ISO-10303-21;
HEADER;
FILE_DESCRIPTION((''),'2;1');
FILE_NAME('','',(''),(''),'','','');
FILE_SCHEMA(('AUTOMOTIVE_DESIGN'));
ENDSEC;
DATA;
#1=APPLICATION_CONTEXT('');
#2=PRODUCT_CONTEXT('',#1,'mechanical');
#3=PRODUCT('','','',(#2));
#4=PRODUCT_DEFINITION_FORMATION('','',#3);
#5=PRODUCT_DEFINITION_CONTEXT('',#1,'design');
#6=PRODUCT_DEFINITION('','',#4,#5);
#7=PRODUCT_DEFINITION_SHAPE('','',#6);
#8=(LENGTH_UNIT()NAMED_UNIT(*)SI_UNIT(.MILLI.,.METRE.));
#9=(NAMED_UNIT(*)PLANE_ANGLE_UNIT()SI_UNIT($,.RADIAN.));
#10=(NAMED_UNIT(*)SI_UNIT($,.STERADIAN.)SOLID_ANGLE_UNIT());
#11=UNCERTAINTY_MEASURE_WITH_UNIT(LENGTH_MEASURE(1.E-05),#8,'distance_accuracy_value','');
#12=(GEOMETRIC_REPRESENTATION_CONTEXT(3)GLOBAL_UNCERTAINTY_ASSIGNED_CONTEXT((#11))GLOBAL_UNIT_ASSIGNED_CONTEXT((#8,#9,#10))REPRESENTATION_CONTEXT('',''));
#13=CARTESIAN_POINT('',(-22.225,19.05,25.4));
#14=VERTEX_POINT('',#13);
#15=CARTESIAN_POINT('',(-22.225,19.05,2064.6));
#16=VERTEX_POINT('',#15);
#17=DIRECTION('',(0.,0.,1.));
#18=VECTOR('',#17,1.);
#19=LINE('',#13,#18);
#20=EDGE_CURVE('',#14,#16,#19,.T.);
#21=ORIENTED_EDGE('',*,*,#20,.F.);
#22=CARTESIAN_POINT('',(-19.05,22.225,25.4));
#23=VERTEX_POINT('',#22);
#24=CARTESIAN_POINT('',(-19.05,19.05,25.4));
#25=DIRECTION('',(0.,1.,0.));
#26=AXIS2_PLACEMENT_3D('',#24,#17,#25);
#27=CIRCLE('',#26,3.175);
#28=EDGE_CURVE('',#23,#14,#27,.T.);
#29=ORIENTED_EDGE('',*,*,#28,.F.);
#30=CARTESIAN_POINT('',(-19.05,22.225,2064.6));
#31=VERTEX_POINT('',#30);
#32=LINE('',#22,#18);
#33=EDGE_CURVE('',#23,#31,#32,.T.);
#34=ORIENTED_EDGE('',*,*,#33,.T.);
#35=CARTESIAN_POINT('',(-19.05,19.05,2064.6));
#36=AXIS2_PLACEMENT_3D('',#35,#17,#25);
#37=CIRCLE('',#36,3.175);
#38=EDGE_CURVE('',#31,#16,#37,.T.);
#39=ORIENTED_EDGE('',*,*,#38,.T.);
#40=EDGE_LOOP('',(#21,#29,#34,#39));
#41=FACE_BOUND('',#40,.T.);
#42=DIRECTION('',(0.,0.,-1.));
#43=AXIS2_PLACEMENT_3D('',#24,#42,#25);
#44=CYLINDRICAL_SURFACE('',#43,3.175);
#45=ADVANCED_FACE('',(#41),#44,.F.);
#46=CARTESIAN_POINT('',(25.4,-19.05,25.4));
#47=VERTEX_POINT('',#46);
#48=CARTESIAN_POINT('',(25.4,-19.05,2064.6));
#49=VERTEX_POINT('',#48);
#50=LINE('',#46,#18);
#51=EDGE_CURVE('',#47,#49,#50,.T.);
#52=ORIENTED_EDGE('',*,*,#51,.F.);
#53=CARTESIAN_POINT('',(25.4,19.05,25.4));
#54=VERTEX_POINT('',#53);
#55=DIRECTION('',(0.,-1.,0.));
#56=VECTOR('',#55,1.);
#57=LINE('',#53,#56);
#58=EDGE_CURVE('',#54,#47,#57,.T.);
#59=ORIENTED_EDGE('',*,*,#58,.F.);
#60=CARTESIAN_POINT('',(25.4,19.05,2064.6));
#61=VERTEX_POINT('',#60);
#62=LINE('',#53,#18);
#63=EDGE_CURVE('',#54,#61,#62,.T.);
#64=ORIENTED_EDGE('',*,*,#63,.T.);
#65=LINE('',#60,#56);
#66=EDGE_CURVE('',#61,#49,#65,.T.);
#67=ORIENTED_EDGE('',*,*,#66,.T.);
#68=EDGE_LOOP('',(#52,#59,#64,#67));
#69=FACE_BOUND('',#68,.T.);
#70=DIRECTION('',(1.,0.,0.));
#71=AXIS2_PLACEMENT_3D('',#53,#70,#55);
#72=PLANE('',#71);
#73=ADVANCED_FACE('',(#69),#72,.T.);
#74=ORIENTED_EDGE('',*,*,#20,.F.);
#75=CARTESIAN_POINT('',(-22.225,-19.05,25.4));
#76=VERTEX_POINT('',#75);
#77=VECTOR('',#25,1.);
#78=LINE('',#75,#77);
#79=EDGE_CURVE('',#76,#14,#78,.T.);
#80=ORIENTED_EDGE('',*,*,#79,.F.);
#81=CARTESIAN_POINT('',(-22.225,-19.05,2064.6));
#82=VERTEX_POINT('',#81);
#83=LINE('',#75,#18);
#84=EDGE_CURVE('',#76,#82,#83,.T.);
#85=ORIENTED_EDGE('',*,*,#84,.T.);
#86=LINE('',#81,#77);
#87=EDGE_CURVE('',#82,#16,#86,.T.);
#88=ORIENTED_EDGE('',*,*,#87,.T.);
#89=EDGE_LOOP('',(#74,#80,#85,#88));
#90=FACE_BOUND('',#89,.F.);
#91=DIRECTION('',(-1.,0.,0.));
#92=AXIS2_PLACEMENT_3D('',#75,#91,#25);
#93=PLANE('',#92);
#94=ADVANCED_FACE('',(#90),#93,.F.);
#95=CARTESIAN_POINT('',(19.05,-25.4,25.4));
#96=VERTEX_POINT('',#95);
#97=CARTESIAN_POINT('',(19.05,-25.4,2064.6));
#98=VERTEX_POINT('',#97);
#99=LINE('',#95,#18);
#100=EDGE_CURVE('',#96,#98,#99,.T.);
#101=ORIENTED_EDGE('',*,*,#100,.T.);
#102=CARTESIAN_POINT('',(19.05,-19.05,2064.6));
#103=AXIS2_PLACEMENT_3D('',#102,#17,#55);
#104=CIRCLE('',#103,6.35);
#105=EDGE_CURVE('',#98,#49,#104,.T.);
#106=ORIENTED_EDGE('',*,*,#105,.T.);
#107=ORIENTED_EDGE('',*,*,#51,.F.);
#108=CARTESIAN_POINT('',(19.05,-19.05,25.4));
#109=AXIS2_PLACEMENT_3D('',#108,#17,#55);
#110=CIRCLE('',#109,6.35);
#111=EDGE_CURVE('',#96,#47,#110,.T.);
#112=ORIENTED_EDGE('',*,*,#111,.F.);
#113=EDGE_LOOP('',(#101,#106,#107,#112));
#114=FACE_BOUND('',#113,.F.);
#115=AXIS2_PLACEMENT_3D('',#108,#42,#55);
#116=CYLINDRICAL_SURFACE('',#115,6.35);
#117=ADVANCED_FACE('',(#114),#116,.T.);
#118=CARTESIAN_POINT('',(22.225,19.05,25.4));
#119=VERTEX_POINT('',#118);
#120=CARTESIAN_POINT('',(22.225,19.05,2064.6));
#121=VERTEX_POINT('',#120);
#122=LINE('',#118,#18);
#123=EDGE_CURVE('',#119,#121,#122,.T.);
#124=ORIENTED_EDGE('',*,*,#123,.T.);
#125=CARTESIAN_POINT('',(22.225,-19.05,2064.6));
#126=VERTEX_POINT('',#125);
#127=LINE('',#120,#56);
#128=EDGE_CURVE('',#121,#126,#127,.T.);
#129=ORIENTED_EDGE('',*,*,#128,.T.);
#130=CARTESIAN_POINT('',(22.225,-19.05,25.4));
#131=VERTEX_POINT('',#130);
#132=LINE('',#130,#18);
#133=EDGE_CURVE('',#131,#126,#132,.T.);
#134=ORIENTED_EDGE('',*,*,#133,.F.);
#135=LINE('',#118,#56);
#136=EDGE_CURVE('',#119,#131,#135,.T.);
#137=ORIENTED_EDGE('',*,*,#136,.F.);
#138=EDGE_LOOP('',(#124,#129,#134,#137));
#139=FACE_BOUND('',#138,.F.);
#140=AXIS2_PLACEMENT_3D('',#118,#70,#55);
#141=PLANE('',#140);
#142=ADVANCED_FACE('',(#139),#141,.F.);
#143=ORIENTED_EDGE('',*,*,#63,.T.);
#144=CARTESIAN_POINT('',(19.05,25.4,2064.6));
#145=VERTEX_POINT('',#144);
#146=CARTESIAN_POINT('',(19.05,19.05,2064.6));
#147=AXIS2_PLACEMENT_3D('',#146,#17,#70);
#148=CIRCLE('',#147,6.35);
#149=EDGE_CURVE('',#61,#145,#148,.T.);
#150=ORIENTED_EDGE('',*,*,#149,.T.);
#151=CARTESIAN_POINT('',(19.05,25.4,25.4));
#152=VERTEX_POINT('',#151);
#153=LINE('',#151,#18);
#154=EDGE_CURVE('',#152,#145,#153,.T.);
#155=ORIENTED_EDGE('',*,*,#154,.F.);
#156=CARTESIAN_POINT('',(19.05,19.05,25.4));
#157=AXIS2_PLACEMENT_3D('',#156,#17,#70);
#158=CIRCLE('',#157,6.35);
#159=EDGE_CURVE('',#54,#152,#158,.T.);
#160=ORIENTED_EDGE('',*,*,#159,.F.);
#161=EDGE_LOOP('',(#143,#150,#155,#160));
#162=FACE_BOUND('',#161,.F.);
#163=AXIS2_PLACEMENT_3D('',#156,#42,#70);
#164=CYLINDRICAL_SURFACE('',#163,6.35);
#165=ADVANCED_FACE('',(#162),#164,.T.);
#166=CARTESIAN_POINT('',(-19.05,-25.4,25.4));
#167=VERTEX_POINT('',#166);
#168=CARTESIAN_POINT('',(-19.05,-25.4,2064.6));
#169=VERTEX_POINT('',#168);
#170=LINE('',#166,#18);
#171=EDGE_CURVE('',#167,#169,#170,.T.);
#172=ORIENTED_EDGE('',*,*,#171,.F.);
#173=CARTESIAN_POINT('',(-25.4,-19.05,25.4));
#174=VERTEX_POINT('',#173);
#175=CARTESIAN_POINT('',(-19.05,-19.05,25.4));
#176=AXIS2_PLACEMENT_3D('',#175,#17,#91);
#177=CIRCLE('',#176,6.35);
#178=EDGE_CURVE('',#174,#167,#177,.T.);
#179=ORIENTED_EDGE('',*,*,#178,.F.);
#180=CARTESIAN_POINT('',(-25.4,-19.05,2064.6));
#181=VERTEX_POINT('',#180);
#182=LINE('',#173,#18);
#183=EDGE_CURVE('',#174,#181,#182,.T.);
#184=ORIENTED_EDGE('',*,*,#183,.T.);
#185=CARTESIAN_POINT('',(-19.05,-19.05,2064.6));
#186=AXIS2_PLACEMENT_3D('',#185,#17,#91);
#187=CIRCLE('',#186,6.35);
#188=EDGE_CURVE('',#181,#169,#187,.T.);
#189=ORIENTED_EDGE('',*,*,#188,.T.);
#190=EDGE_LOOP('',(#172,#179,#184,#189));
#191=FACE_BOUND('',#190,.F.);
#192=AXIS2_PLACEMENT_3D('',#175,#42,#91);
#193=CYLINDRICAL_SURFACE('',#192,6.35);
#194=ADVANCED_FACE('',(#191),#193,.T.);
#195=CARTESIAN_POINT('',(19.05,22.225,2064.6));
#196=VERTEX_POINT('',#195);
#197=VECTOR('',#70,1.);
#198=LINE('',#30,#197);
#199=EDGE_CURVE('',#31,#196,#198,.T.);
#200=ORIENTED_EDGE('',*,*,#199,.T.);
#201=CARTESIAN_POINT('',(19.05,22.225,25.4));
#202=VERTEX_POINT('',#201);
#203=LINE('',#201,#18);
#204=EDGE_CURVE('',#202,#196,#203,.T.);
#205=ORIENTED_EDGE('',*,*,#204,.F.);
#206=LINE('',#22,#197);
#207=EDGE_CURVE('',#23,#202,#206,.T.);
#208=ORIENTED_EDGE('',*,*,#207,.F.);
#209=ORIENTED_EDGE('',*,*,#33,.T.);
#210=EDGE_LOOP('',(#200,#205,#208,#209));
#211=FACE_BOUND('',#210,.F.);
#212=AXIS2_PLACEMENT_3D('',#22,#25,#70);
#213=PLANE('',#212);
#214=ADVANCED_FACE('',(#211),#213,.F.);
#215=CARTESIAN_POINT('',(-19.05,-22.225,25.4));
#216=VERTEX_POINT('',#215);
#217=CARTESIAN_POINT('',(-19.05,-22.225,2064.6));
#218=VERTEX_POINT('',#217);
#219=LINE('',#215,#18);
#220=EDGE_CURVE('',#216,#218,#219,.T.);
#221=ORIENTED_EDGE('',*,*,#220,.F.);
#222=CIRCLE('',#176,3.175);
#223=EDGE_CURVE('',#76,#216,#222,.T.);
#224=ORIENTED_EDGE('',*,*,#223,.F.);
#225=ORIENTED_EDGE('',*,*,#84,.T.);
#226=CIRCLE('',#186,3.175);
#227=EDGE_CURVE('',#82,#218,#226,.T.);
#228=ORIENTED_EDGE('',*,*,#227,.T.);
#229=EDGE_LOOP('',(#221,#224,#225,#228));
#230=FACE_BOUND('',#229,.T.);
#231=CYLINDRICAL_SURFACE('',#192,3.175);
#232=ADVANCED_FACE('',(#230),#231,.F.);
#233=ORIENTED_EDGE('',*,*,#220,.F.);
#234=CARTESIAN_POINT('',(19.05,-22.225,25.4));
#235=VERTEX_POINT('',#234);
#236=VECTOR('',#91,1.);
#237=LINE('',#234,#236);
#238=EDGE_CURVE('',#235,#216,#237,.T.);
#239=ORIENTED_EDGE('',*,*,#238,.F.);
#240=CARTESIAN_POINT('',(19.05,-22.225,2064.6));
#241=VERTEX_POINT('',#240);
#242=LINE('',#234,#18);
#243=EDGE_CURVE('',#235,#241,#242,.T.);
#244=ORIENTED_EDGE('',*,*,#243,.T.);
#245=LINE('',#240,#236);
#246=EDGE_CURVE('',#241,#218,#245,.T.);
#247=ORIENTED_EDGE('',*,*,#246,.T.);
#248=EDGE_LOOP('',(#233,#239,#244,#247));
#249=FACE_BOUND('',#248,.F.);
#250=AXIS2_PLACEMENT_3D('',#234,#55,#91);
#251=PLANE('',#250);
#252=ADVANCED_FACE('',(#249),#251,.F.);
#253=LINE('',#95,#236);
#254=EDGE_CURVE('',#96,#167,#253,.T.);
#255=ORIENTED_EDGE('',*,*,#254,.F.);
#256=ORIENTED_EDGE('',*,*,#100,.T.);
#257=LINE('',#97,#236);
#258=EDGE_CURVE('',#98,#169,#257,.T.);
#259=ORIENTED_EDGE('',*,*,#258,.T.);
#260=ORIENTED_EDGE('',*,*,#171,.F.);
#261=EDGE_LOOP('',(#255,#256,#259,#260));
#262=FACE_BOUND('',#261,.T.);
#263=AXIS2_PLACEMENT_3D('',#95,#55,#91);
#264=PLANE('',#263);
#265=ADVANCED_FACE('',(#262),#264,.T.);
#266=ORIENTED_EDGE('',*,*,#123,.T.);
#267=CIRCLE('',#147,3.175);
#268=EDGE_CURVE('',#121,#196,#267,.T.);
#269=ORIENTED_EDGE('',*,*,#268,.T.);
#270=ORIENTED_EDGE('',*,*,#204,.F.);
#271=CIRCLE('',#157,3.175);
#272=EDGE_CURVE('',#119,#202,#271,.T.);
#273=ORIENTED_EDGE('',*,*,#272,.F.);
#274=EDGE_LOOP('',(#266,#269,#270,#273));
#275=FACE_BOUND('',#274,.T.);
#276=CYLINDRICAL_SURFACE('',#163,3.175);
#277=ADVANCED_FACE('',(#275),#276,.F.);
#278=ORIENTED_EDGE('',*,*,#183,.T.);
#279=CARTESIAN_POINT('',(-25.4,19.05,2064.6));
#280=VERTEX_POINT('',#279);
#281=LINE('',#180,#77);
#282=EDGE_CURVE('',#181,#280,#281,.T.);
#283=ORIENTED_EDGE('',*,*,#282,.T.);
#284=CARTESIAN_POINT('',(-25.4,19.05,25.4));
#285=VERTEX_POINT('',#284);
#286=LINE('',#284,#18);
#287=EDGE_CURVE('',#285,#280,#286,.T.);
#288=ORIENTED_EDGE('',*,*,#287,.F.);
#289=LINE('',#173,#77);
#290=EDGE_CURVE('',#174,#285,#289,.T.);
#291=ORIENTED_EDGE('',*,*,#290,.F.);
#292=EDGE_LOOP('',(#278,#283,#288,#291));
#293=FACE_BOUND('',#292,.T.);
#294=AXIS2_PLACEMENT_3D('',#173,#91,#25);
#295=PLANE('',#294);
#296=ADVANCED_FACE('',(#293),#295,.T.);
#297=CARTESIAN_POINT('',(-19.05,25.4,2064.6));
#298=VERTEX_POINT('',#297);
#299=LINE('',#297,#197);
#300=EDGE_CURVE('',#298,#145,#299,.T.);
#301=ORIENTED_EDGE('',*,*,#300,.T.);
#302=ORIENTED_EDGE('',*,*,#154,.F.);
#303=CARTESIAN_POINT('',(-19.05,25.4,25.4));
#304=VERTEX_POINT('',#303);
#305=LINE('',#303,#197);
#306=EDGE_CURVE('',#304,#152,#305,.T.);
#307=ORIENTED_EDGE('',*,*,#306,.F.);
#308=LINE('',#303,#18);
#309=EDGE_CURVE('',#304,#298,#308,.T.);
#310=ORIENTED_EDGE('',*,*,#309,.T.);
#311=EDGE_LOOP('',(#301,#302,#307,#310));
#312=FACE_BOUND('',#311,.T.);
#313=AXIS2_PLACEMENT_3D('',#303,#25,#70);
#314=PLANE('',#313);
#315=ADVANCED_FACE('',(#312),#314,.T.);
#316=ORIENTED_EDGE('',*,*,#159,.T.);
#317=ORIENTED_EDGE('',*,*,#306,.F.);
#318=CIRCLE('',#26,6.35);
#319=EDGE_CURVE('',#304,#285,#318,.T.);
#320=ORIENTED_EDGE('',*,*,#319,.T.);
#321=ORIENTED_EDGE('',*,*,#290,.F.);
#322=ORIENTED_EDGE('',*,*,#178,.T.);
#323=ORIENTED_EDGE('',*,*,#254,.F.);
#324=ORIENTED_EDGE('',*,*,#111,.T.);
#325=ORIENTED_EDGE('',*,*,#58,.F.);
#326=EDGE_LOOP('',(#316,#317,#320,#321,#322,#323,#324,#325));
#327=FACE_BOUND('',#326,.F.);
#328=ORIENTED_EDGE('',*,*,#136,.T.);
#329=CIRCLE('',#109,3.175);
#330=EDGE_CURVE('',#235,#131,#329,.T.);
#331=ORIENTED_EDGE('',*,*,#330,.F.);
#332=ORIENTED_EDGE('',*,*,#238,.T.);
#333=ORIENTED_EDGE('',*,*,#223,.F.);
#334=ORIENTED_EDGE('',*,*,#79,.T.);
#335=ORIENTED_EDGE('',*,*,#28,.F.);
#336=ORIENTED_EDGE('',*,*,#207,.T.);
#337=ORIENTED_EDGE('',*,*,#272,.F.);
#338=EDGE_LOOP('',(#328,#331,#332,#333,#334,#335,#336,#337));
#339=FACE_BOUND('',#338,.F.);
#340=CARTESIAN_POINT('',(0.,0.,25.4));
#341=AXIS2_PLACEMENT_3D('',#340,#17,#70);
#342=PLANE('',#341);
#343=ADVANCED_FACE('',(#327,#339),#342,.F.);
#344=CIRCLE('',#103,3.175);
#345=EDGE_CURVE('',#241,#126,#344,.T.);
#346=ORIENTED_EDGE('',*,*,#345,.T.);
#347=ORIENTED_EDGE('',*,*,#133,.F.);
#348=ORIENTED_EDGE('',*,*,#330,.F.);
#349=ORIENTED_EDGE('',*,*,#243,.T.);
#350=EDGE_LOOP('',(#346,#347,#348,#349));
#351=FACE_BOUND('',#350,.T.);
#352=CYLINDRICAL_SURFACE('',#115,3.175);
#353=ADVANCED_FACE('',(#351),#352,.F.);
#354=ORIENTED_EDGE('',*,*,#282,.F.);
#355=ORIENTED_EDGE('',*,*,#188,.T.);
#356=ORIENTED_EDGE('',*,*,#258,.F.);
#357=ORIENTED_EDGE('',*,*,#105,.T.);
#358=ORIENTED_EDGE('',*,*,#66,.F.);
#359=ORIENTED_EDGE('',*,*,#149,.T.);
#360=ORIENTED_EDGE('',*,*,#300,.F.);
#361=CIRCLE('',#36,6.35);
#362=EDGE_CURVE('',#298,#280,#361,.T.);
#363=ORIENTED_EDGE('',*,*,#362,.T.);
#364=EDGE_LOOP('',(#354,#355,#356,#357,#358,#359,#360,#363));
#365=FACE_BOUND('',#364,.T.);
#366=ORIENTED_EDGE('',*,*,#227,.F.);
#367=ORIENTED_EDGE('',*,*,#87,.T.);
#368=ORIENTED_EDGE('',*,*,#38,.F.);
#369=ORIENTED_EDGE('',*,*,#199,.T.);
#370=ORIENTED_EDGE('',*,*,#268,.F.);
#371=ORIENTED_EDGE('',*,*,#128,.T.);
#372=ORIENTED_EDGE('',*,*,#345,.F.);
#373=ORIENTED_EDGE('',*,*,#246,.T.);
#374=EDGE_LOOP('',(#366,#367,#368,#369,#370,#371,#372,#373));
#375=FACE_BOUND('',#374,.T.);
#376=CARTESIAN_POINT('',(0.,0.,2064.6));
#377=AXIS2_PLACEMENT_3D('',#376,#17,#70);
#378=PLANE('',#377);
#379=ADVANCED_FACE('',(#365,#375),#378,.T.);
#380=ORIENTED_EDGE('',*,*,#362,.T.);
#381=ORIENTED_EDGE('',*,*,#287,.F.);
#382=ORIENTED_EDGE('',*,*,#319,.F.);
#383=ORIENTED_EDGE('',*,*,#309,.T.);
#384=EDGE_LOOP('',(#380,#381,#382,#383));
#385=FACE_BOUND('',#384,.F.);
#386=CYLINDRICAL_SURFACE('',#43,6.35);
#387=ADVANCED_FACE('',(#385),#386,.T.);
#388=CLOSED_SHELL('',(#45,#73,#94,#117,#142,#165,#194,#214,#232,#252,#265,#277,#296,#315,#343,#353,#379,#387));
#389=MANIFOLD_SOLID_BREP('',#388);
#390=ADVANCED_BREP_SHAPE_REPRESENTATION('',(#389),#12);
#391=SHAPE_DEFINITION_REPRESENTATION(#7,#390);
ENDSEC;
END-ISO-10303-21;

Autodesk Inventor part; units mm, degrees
ref_plane "Plano inicial" through (0, 0, 25.4) normal (0, 0, 1) x (1, 0, 0)
ref_plane "Plano final" through (0, 0, 2064.6) normal (0, 0, 1) x (1, 0, 0)
sketch "Boceto" plane through (0, 0, 0) normal (0, 0, 1) x (1, 0, 0)
  line L0 (-25.4, -19.05) -> (-25.4, 19.05)
  line L1 (-19.05, 25.4) -> (19.05, 25.4)
  line L2 (25.4, 19.05) -> (25.4, -19.05)
  line L3 (19.05, -25.4) -> (-19.05, -25.4)
  arc A0 (-25.4, -19.05) -> (-19.05, -25.4) centre (-19.05, -19.05) ccw
  arc A1 (-19.05, 25.4) -> (-25.4, 19.05) centre (-19.05, 19.05) ccw
  arc A2 (25.4, 19.05) -> (19.05, 25.4) centre (19.05, 19.05) ccw
  arc A3 (19.05, -25.4) -> (25.4, -19.05) centre (19.05, -19.05) ccw
  arc A4 (-19.05, 22.225) -> (-22.225, 19.05) centre (-19.05, 19.05) ccw
  line L4 (-19.05, 22.225) -> (19.05, 22.225)
  arc A5 (22.225, 19.05) -> (19.05, 22.225) centre (19.05, 19.05) ccw
  line L5 (22.225, 19.05) -> (22.225, -19.05)
  arc A6 (19.05, -22.225) -> (22.225, -19.05) centre (19.05, -19.05) ccw
  line L6 (19.05, -22.225) -> (-19.05, -22.225)
  arc A7 (-22.225, -19.05) -> (-19.05, -22.225) centre (-19.05, -19.05) ccw
  line L7 (-22.225, -19.05) -> (-22.225, 19.05)
  line L8 (0, 37.4012) -> (0, -37.4012) construction
  line L9 (-37.4012, 0) -> (37.4012, 0) construction
  dimension "d10" = 50.8
  dimension "d11" = 50.8
  dimension "d12" = 3.175
  dimension "d15" = 25.4
  dimension "d16" = 25.4
  dimension "d17" = 6.35
extrude "Cuerpo" add sketch "Boceto" along normal up to surface (2039.2 mm away) from surface at 25.4
sketch "Sketch3" plane through (0, 0, 0) normal (0, 0, 1) x (1, 0, 0)
  line L0 (0, 0) -> (10, 0)
ref_plane "Work Plane3" through (0, 0, 0) normal (0, -1, 0) x (1, 0, 0)
ref_plane "Plano de trabajo4" through (-19.05, 1700, 25.4) normal (0, 0, -1) x (-1, 0, 0)
split "Dividir1" plane through (-19.05, 1700, 25.4) removes the side toward (0, 0, -1)
ref_plane "Plano de trabajo5" through (19.05, 1700, 2064.6) normal (0, 0, 1) x (1, 0, 0)
split "Dividir2" plane through (19.05, 1700, 2064.6) removes the side toward (0, 0, 1)
sketch "Sketch4" plane through (0, 0, 0) normal (0, -1, 0) x (1, 0, 0)
  line L0 (-2, 25.4) -> (12, 25.4) projected
  line L1 (-2, 2064.6) -> (12, 2064.6) projected
  dimension "d19" = 2039.2
equation "\"d10\" = G_H"
equation "\"d11\" = G_W"
equation "\"d12\" = G_T"
equation "\"d15\" = 0.5 * d10"
equation "\"d16\" = 0.5 * d11"
equation "\"d17\" = G_IR"
equation "\"d3\" = G_L"
equation "\"G_W\" = 50.8"
equation "\"G_H\" = 50.8"
equation "\"G_T\" = 3.175"
equation "\"G_IR\" = 6.35"
equation "\"G_L\" = d19"
equation "\"G_OFFSET_START\" = -25.4"
equation "\"G_OFFSET_END\" = -25.4"
equation "\"d13\" = -G_OFFSET_START"
equation "\"d14\" = G_OFFSET_END + B_L"
equation "\"B_L\" = 2090"
properties part number "AISC - 2 x 2 x 1/8 - 80,283" material "Acero, suave"
